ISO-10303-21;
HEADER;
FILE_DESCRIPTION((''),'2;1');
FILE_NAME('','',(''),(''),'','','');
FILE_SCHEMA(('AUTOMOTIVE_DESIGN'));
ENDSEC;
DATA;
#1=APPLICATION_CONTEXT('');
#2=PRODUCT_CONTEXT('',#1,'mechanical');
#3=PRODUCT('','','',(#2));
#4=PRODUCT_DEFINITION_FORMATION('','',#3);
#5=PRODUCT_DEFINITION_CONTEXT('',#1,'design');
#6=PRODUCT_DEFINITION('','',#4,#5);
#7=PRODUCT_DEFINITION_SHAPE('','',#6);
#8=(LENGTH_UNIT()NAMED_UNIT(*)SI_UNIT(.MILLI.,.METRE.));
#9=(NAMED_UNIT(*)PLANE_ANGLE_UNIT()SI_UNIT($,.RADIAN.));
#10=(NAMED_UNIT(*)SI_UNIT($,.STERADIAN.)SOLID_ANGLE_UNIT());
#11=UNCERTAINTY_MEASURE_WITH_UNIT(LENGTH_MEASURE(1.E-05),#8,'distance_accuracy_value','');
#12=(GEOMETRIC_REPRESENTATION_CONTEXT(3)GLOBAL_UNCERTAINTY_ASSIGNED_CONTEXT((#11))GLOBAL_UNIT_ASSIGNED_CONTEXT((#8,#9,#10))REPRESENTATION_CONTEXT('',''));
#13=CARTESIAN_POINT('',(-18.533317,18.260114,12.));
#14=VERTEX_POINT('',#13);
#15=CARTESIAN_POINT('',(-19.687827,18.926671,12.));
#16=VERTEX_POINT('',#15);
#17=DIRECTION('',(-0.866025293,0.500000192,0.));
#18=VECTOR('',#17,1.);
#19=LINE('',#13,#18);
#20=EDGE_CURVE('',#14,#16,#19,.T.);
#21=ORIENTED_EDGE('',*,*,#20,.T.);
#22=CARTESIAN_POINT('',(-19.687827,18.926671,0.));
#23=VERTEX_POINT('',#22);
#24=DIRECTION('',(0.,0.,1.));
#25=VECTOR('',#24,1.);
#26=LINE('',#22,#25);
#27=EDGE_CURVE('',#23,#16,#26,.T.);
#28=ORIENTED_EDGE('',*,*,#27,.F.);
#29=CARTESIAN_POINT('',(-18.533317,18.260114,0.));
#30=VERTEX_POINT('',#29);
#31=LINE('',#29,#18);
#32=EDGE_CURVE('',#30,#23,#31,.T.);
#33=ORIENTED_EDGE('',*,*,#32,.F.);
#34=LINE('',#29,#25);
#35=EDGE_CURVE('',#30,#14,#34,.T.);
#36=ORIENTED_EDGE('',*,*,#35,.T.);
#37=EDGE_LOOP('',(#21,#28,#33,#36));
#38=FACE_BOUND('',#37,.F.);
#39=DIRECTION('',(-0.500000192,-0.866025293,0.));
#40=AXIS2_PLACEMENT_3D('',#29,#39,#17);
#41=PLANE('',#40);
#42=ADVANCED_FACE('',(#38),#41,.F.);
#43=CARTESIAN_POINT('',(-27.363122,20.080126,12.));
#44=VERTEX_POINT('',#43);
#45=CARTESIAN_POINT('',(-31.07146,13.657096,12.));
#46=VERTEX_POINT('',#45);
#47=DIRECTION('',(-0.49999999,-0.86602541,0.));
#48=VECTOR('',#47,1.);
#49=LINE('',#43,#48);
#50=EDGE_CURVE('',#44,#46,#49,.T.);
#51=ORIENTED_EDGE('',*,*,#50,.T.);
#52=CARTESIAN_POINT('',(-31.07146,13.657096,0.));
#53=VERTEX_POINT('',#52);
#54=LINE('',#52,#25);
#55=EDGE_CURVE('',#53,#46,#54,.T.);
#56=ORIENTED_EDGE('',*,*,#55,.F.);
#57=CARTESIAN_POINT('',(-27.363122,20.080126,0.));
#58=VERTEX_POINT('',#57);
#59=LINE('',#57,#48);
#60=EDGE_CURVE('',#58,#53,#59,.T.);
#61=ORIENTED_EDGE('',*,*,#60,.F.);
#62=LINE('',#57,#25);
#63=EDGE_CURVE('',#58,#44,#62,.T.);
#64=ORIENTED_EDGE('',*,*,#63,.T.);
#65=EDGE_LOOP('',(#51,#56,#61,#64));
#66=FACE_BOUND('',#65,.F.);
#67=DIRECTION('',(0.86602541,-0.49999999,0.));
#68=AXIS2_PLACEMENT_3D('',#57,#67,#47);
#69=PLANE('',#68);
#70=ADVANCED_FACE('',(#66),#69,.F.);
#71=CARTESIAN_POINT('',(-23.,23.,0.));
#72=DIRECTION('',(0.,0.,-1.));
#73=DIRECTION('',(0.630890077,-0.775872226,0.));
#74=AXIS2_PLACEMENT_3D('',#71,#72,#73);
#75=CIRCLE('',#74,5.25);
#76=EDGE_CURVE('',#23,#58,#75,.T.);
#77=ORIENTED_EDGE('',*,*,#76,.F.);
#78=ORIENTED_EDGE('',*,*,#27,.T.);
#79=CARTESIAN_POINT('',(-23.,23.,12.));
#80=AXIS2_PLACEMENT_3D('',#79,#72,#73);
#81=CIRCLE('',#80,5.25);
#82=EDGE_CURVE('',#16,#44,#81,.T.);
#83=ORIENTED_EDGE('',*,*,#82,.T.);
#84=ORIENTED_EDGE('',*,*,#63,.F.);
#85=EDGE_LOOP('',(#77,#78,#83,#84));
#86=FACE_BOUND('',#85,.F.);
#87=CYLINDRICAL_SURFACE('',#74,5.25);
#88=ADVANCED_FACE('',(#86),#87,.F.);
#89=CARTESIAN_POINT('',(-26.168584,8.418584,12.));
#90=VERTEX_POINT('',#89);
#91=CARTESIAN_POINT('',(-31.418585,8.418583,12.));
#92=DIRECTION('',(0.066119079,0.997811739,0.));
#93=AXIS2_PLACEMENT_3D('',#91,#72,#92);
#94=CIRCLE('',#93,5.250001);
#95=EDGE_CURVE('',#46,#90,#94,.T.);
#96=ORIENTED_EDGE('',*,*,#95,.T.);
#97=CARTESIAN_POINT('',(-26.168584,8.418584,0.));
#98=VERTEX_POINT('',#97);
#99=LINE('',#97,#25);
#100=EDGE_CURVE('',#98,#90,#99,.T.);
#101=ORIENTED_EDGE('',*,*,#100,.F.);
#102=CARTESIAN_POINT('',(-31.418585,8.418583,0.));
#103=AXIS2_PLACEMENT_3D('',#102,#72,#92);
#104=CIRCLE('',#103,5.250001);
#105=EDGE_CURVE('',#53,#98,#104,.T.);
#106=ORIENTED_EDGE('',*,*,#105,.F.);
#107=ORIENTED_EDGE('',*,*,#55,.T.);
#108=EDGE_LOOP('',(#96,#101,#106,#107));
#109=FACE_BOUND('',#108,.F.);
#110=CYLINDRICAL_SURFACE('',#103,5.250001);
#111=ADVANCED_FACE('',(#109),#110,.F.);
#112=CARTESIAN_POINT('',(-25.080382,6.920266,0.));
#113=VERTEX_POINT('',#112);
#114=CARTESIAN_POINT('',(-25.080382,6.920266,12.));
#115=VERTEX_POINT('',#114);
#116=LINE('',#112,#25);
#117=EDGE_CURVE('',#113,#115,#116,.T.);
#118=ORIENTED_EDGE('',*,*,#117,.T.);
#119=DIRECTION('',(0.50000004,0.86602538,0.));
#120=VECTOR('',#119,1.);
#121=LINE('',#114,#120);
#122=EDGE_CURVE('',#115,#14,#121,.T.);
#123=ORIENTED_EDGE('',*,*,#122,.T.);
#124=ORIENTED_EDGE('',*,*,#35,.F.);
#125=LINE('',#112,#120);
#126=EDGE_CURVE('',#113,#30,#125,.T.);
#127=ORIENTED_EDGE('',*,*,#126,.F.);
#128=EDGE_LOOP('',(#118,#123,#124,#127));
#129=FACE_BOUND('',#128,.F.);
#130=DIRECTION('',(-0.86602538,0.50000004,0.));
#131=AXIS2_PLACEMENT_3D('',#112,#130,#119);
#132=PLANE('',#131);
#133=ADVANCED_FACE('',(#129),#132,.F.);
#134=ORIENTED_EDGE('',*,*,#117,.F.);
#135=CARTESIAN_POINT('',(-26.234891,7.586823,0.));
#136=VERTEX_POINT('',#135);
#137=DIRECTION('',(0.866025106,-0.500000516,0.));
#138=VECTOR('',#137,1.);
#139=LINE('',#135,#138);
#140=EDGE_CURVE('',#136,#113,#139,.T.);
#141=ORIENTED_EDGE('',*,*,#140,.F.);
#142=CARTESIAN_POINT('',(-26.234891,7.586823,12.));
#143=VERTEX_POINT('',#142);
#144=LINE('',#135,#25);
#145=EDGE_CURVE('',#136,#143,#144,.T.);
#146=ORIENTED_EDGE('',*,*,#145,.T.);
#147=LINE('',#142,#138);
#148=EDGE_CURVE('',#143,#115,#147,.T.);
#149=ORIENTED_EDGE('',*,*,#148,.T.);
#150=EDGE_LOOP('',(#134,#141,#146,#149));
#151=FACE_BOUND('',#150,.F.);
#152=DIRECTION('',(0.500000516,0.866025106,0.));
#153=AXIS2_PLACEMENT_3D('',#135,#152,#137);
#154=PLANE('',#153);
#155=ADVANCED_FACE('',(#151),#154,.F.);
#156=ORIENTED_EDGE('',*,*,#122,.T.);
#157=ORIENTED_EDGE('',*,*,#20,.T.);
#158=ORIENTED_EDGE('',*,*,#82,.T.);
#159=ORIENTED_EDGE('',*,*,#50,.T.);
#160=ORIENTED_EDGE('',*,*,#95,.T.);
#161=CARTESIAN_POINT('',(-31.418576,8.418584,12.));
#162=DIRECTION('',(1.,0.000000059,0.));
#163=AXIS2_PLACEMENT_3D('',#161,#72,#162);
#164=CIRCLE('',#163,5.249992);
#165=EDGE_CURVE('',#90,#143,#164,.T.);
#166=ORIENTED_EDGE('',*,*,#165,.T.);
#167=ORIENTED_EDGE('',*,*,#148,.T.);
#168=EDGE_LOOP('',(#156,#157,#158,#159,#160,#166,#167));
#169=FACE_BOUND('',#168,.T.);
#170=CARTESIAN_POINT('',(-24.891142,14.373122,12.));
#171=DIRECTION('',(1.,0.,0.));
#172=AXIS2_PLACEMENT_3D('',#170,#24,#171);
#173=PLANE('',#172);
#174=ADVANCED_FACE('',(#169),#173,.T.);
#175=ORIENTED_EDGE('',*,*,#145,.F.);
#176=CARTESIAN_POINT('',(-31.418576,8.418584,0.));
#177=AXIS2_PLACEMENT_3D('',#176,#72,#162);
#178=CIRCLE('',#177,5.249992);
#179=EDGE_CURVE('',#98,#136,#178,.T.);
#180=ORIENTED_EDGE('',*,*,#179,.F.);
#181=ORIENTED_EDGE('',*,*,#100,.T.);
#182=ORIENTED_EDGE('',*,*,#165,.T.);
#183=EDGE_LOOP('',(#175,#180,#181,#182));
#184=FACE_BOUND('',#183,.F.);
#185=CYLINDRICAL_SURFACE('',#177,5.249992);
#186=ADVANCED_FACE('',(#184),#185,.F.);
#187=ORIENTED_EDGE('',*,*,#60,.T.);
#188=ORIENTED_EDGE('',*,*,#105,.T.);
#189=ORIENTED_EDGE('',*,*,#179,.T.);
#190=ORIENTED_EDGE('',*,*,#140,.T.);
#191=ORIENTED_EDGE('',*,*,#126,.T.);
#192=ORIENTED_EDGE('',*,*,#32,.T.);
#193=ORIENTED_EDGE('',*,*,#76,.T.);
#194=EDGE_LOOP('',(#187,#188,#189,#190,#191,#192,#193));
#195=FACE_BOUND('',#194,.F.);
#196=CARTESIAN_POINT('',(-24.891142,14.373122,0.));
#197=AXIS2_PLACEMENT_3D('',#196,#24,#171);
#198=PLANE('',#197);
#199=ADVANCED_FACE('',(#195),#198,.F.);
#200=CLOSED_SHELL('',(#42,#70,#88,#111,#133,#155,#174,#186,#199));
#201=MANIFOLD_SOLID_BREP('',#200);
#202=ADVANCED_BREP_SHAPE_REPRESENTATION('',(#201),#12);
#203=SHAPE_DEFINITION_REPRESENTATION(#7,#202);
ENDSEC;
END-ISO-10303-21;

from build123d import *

# Parameters (mm, degrees)
F1_DEPTH = 12


with BuildPart() as f1:
    # F0 (on Top) → F1 (new body)
    with BuildSketch(Plane.XY):
        with BuildLine():
            ThreePointArc((-19.687827, 18.926671), (-23.780217, 17.808299), (-27.363122, 20.080126))
            Line((-27.363122, 20.080126), (-31.07146, 13.657096))
            ThreePointArc((-31.07146, 13.657096), (-27.585511, 12.006069), (-26.168584, 8.418584))
            ThreePointArc((-26.168584, 8.418584), (-26.185187, 8.001384), (-26.234891, 7.586823))
            Line((-26.234891, 7.586823), (-25.080382, 6.920266))
            Line((-25.080382, 6.920266), (-18.533317, 18.260114))
            Line((-18.533317, 18.260114), (-19.687827, 18.926671))
        make_face()
    extrude(amount=F1_DEPTH)


solid = f1.part
